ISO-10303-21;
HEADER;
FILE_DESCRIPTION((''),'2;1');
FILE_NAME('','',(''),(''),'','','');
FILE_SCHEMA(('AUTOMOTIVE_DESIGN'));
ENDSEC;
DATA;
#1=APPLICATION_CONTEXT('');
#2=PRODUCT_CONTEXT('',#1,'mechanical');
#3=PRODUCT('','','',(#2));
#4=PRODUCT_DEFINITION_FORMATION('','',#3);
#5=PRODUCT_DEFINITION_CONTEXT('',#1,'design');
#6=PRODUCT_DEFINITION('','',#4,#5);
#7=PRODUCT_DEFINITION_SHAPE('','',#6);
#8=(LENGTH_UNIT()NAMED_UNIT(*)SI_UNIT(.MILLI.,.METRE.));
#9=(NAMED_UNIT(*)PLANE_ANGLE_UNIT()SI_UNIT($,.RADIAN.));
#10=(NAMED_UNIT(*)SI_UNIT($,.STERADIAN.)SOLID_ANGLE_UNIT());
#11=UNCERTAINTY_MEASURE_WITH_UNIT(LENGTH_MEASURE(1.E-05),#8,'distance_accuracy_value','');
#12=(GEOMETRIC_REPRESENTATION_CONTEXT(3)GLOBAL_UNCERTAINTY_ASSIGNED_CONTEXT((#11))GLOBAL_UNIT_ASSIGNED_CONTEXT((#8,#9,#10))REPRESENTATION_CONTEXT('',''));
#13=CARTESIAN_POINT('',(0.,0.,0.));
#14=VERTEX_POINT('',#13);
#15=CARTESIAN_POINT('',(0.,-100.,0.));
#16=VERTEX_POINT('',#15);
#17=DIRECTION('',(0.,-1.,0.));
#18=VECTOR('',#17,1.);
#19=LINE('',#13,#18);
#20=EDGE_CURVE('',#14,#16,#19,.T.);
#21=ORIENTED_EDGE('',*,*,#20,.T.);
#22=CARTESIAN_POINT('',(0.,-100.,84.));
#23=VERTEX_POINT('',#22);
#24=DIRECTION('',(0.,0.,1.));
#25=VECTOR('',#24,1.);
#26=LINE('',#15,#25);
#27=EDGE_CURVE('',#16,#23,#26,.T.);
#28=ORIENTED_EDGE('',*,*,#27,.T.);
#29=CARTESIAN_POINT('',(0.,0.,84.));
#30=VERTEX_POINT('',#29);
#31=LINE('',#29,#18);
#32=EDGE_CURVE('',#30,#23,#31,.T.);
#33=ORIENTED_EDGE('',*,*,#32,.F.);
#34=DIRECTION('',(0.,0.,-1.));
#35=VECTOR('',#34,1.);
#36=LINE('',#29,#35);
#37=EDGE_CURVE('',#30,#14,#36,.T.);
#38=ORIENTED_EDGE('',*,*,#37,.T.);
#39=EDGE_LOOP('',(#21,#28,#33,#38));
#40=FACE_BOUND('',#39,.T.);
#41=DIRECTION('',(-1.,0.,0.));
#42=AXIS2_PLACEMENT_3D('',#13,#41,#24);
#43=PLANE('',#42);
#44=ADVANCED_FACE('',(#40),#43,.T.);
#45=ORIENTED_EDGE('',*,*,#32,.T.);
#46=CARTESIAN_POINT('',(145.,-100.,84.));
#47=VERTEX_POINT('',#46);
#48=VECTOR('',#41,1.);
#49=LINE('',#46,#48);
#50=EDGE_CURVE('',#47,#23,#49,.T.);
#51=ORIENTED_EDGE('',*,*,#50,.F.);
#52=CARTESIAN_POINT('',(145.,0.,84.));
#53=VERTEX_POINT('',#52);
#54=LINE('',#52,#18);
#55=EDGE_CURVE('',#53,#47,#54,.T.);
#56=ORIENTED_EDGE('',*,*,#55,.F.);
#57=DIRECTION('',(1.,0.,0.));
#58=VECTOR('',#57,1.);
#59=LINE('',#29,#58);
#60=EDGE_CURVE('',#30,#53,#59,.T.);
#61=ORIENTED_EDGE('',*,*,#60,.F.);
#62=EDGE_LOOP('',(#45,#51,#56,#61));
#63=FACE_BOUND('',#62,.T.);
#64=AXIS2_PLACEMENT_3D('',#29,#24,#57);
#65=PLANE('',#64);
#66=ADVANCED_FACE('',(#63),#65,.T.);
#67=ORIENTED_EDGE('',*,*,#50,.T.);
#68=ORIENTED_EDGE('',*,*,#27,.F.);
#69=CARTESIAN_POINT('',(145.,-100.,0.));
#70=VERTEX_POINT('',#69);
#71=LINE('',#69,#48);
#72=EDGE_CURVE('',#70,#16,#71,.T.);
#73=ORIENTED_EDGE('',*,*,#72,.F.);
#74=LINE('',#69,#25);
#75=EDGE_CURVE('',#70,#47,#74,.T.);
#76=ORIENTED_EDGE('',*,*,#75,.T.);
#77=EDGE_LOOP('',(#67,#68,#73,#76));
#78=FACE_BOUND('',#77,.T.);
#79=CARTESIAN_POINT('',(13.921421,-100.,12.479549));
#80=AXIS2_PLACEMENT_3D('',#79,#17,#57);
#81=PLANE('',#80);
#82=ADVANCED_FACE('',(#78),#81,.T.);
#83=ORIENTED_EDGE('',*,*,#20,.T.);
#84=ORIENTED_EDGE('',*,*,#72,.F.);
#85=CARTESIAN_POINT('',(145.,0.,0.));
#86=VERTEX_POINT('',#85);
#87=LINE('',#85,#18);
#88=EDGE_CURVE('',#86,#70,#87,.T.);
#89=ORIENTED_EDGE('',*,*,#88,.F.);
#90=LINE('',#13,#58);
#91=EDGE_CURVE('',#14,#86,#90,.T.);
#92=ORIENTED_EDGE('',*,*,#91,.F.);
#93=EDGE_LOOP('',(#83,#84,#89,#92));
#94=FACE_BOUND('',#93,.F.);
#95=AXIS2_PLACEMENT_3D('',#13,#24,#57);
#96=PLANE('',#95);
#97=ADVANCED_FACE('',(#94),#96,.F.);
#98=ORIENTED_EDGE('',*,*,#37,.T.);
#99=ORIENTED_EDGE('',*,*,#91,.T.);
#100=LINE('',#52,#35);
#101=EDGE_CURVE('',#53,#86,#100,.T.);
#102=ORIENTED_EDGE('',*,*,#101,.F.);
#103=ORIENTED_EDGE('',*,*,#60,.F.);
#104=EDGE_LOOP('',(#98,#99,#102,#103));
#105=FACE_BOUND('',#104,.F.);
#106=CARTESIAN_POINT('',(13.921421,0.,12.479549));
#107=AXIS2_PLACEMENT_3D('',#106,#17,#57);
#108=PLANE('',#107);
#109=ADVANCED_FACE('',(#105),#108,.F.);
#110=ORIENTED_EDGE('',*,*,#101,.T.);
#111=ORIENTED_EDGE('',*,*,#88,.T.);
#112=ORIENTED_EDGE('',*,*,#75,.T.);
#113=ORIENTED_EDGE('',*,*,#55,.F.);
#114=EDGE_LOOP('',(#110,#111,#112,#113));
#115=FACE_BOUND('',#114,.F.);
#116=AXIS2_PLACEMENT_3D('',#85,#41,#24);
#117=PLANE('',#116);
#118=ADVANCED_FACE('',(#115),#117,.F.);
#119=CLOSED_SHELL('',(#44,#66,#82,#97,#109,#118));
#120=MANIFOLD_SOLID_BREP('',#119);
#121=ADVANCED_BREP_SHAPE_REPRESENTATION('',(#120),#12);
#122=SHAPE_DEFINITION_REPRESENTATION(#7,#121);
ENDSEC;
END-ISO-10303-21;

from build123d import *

# Parameters (mm, degrees)
F0_W     = 27.8428420424
F0_H     = 24.9590985477
F1_DEPTH = 145
F2_DEPTH = 145
F3_DEPTH = 84
F4_DEPTH = 45


with BuildPart() as f1:
    # F0 (on Front) → F1 (new body)
    with BuildSketch(Plane.XZ):
        with Locations((13.9214210212, 12.4795492738)):
            Rectangle(F0_W, F0_H)
    extrude(amount=F1_DEPTH)

    # F2 (add): a face of the model
    f2_faces = [f1.faces().sort_by_distance(p)[0] for p in [
        (0, -72.5, 12.4795492738),
    ]]
    extrude(f2_faces, amount=-F2_DEPTH)

    # F3 (add): a face of the model
    f3_faces = [f1.faces().sort_by_distance(p)[0] for p in [
        (72.5, -72.5, 0),
    ]]
    extrude(f3_faces, amount=-F3_DEPTH)

    # F4 (cut): a face of the model
    f4_faces = [f1.faces().sort_by_distance(p)[0] for p in [
        (72.5, -145, 42),
    ]]
    extrude(f4_faces, amount=-F4_DEPTH, mode=Mode.SUBTRACT)


solid = f1.part
